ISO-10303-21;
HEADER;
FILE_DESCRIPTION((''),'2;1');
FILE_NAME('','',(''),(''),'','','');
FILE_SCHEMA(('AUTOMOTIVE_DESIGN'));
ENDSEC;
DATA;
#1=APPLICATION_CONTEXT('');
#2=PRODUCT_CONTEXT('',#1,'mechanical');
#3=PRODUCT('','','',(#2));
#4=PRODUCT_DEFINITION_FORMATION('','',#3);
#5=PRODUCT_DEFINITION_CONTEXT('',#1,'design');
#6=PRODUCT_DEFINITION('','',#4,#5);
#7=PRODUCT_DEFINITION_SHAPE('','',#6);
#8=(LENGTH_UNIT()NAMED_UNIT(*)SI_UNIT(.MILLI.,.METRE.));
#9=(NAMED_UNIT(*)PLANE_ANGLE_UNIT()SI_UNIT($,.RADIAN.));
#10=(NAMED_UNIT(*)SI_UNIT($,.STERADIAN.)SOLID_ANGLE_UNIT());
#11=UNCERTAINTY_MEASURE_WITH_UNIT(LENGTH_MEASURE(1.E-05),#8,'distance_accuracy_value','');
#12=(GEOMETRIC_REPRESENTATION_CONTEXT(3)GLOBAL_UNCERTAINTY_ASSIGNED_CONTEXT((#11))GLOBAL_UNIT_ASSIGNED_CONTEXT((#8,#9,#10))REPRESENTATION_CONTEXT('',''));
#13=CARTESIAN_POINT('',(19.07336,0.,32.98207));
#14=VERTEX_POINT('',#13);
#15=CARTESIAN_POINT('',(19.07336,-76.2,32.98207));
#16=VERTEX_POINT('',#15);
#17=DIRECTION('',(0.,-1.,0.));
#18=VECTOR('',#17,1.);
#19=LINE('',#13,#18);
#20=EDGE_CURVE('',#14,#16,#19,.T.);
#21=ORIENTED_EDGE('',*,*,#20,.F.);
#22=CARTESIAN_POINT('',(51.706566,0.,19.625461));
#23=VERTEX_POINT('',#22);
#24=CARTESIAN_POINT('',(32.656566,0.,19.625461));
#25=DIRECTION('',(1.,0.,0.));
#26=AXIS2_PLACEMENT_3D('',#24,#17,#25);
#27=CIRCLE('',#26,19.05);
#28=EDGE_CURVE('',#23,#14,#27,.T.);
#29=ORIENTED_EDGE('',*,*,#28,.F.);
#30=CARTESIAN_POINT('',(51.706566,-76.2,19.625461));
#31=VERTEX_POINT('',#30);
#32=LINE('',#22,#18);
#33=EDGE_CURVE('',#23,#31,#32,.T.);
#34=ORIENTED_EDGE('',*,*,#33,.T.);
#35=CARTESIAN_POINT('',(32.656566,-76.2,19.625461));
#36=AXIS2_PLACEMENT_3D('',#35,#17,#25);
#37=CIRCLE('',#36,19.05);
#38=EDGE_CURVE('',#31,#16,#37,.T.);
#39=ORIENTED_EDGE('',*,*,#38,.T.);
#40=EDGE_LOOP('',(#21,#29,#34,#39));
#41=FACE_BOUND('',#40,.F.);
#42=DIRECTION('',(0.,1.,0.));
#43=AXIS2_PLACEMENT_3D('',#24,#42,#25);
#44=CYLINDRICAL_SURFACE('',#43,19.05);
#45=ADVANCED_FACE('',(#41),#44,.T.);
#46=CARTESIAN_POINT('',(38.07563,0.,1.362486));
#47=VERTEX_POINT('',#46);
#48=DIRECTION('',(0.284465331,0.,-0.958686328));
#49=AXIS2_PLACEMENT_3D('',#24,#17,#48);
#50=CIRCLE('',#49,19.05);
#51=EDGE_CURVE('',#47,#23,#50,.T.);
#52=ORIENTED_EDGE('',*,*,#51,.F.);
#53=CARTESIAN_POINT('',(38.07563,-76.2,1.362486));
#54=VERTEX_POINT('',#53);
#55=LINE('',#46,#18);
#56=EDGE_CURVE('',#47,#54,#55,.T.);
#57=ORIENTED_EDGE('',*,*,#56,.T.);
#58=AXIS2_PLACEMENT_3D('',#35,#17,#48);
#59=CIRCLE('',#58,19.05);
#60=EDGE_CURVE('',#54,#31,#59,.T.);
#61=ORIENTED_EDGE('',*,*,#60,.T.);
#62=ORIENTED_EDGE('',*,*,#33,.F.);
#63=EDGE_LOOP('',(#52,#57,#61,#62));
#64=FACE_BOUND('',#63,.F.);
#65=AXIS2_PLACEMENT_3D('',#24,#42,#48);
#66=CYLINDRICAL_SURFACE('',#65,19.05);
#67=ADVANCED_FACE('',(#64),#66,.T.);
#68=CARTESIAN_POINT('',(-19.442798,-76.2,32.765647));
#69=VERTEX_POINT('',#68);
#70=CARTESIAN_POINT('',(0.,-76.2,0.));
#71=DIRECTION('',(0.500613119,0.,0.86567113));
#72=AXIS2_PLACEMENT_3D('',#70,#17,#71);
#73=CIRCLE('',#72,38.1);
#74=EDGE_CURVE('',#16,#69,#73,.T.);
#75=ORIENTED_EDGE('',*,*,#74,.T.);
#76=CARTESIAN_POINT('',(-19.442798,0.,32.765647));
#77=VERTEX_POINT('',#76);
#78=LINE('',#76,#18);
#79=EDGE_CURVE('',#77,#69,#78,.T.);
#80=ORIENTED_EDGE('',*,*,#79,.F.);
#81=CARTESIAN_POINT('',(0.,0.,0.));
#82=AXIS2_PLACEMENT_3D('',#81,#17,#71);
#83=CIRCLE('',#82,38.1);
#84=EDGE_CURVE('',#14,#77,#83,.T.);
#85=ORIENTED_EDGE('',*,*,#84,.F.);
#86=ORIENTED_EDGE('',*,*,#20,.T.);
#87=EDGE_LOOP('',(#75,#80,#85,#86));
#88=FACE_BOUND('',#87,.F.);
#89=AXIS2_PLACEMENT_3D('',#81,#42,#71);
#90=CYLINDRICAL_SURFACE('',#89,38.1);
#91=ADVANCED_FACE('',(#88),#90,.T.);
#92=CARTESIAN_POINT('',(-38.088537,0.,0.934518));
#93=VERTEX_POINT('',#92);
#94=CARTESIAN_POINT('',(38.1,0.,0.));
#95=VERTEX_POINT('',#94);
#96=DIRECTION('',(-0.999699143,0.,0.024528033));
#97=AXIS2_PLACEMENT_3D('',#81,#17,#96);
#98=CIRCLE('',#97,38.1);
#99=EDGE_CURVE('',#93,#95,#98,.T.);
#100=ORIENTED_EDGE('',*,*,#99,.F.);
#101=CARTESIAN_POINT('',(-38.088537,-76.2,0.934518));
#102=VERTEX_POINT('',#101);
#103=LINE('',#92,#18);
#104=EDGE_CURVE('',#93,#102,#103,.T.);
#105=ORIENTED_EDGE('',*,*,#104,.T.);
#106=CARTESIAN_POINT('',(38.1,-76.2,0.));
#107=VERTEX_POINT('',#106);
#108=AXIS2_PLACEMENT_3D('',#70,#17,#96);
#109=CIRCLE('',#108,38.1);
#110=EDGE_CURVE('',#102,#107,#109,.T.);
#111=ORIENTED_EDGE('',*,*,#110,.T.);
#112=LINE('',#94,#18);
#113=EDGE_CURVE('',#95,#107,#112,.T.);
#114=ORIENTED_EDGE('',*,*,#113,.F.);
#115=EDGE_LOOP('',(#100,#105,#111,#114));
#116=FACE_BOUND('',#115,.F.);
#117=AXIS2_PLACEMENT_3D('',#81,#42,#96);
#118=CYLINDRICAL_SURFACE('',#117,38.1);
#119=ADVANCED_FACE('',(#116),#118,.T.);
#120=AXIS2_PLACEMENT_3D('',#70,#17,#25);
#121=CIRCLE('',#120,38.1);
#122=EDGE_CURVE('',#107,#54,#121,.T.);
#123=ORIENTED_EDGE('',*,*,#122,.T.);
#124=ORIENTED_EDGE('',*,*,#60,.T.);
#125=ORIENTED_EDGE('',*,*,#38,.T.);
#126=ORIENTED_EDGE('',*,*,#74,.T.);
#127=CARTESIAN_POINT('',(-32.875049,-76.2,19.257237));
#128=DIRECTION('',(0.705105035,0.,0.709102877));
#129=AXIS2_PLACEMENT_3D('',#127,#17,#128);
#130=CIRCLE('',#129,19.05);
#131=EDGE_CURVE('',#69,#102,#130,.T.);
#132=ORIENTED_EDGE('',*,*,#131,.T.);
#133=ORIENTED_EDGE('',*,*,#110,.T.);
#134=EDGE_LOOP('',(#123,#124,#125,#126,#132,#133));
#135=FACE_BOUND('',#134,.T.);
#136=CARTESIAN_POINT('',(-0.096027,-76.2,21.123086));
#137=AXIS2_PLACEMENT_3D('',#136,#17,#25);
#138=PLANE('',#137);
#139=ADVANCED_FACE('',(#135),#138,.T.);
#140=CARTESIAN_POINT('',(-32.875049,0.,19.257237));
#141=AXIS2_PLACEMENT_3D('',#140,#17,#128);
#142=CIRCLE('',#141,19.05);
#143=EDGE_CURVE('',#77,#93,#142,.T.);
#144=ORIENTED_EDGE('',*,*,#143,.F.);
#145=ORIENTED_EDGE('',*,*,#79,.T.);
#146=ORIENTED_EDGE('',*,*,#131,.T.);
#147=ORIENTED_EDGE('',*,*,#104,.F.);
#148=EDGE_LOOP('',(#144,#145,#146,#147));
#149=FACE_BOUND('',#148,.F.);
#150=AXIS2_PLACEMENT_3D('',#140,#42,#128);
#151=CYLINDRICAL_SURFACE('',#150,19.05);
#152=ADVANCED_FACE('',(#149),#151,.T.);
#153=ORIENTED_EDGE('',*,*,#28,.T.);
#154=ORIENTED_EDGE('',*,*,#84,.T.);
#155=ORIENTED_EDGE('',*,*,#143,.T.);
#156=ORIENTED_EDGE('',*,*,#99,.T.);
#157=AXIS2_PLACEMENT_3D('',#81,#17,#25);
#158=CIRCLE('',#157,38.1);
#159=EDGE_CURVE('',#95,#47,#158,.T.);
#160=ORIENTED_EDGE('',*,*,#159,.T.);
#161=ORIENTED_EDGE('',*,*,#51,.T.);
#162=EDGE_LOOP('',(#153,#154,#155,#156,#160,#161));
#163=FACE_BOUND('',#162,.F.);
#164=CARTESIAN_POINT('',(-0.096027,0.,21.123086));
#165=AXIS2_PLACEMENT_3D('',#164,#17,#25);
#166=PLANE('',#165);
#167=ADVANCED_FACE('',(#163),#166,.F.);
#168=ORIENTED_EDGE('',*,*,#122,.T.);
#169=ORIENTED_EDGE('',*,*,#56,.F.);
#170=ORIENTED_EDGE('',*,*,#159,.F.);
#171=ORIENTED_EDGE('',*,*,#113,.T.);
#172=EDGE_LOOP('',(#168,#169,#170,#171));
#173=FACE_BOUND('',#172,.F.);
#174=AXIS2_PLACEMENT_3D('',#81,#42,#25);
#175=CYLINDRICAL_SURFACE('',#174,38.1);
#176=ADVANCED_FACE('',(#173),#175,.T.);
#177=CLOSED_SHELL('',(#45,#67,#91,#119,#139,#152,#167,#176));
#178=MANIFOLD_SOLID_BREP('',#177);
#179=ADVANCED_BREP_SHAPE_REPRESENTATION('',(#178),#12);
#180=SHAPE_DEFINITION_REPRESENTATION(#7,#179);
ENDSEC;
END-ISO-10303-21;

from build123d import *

# Parameters (mm, degrees)
F1_DEPTH = 76.2


with BuildPart() as f1:
    # F0 (on Front) → F1 (new body)
    with BuildSketch(Plane.XZ):
        with BuildLine():
            Line((0, 0), (16.3282829281, 9.8127303346))
            ThreePointArc((16.3282829281, 9.8127303346), (13.7388791973, 21.866806576), (19.0733598326, 32.9820700487))
            ThreePointArc((19.0733598326, 32.9820700487), (-0.2140813256, 38.099398541), (-19.4427976439, 32.7656469458))
            ThreePointArc((-19.4427976439, 32.7656469458), (-15.2854652775, 26.5722258682), (-13.825048557, 19.2572371428))
            ThreePointArc((-13.825048557, 19.2572371428), (-14.4897645301, 14.2688675447), (-16.4375242785, 9.6286185714))
            Line((-16.4375242785, 9.6286185714), (0, 0))
        make_face()
        with BuildLine():
            ThreePointArc((32.6565658563, 19.6254606691), (36.5259490937, 10.8381291192), (38.0756304159, 1.3624861223))
            ThreePointArc((38.0756304159, 1.3624861223), (47.9231253878, 8.2309593606), (51.7065658563, 19.6254606691))
            ThreePointArc((51.7065658563, 19.6254606691), (39.8726044249, 37.2558687011), (19.0733598326, 32.9820700487))
            ThreePointArc((19.0733598326, 32.9820700487), (26.7132187591, 27.1664120474), (32.6565658563, 19.6254606691))
        make_face()
        with BuildLine():
            ThreePointArc((16.3282829281, 9.8127303346), (25.7569703489, 1.8688258011), (38.0756304159, 1.3624861223))
            ThreePointArc((38.0756304159, 1.3624861223), (36.5259490937, 10.8381291192), (32.6565658563, 19.6254606691))
            Line((32.6565658563, 19.6254606691), (16.3282829281, 9.8127303346))
        make_face()
        with BuildLine():
            Line((16.3282829281, 9.8127303346), (32.6565658563, 19.6254606691))
            ThreePointArc((32.6565658563, 19.6254606691), (26.7132187591, 27.1664120474), (19.0733598326, 32.9820700487))
            ThreePointArc((19.0733598326, 32.9820700487), (13.7388791973, 21.866806576), (16.3282829281, 9.8127303346))
        make_face()
        with BuildLine():
            ThreePointArc((-38.0885373309, 0.934518054), (-0.4672941756, -38.0971342249), (38.1, 0))
            ThreePointArc((38.1, 0), (38.0939071168, 0.6813520217), (38.0756304159, 1.3624861223))
            ThreePointArc((38.0756304159, 1.3624861223), (25.7569703489, 1.8688258011), (16.3282829281, 9.8127303346))
            Line((16.3282829281, 9.8127303346), (0, 0))
            Line((0, 0), (-16.4375242785, 9.6286185714))
            ThreePointArc((-16.4375242785, 9.6286185714), (-25.7763452104, 1.5792590119), (-38.0885373309, 0.934518054))
        make_face()
        with BuildLine():
            ThreePointArc((-19.4427976439, 32.7656469458), (-49.3125728356, 28.8858557141), (-38.0885373309, 0.934518054))
            ThreePointArc((-38.0885373309, 0.934518054), (-36.6454381775, 10.4269775477), (-32.875048557, 19.2572371428))
            ThreePointArc((-32.875048557, 19.2572371428), (-27.0168196061, 26.8645018262), (-19.4427976439, 32.7656469458))
        make_face()
        with BuildLine():
            ThreePointArc((-32.875048557, 19.2572371428), (-36.6454381775, 10.4269775477), (-38.0885373309, 0.934518054))
            ThreePointArc((-38.0885373309, 0.934518054), (-25.7763452104, 1.5792590119), (-16.4375242785, 9.6286185714))
            Line((-16.4375242785, 9.6286185714), (-32.875048557, 19.2572371428))
        make_face()
        with BuildLine():
            ThreePointArc((-19.4427976439, 32.7656469458), (-27.0168196061, 26.8645018262), (-32.875048557, 19.2572371428))
            Line((-32.875048557, 19.2572371428), (-16.4375242785, 9.6286185714))
            ThreePointArc((-16.4375242785, 9.6286185714), (-14.4897645301, 14.2688675447), (-13.825048557, 19.2572371428))
            ThreePointArc((-13.825048557, 19.2572371428), (-15.2854652775, 26.5722258682), (-19.4427976439, 32.7656469458))
        make_face()
    extrude(amount=F1_DEPTH)


solid = f1.part
